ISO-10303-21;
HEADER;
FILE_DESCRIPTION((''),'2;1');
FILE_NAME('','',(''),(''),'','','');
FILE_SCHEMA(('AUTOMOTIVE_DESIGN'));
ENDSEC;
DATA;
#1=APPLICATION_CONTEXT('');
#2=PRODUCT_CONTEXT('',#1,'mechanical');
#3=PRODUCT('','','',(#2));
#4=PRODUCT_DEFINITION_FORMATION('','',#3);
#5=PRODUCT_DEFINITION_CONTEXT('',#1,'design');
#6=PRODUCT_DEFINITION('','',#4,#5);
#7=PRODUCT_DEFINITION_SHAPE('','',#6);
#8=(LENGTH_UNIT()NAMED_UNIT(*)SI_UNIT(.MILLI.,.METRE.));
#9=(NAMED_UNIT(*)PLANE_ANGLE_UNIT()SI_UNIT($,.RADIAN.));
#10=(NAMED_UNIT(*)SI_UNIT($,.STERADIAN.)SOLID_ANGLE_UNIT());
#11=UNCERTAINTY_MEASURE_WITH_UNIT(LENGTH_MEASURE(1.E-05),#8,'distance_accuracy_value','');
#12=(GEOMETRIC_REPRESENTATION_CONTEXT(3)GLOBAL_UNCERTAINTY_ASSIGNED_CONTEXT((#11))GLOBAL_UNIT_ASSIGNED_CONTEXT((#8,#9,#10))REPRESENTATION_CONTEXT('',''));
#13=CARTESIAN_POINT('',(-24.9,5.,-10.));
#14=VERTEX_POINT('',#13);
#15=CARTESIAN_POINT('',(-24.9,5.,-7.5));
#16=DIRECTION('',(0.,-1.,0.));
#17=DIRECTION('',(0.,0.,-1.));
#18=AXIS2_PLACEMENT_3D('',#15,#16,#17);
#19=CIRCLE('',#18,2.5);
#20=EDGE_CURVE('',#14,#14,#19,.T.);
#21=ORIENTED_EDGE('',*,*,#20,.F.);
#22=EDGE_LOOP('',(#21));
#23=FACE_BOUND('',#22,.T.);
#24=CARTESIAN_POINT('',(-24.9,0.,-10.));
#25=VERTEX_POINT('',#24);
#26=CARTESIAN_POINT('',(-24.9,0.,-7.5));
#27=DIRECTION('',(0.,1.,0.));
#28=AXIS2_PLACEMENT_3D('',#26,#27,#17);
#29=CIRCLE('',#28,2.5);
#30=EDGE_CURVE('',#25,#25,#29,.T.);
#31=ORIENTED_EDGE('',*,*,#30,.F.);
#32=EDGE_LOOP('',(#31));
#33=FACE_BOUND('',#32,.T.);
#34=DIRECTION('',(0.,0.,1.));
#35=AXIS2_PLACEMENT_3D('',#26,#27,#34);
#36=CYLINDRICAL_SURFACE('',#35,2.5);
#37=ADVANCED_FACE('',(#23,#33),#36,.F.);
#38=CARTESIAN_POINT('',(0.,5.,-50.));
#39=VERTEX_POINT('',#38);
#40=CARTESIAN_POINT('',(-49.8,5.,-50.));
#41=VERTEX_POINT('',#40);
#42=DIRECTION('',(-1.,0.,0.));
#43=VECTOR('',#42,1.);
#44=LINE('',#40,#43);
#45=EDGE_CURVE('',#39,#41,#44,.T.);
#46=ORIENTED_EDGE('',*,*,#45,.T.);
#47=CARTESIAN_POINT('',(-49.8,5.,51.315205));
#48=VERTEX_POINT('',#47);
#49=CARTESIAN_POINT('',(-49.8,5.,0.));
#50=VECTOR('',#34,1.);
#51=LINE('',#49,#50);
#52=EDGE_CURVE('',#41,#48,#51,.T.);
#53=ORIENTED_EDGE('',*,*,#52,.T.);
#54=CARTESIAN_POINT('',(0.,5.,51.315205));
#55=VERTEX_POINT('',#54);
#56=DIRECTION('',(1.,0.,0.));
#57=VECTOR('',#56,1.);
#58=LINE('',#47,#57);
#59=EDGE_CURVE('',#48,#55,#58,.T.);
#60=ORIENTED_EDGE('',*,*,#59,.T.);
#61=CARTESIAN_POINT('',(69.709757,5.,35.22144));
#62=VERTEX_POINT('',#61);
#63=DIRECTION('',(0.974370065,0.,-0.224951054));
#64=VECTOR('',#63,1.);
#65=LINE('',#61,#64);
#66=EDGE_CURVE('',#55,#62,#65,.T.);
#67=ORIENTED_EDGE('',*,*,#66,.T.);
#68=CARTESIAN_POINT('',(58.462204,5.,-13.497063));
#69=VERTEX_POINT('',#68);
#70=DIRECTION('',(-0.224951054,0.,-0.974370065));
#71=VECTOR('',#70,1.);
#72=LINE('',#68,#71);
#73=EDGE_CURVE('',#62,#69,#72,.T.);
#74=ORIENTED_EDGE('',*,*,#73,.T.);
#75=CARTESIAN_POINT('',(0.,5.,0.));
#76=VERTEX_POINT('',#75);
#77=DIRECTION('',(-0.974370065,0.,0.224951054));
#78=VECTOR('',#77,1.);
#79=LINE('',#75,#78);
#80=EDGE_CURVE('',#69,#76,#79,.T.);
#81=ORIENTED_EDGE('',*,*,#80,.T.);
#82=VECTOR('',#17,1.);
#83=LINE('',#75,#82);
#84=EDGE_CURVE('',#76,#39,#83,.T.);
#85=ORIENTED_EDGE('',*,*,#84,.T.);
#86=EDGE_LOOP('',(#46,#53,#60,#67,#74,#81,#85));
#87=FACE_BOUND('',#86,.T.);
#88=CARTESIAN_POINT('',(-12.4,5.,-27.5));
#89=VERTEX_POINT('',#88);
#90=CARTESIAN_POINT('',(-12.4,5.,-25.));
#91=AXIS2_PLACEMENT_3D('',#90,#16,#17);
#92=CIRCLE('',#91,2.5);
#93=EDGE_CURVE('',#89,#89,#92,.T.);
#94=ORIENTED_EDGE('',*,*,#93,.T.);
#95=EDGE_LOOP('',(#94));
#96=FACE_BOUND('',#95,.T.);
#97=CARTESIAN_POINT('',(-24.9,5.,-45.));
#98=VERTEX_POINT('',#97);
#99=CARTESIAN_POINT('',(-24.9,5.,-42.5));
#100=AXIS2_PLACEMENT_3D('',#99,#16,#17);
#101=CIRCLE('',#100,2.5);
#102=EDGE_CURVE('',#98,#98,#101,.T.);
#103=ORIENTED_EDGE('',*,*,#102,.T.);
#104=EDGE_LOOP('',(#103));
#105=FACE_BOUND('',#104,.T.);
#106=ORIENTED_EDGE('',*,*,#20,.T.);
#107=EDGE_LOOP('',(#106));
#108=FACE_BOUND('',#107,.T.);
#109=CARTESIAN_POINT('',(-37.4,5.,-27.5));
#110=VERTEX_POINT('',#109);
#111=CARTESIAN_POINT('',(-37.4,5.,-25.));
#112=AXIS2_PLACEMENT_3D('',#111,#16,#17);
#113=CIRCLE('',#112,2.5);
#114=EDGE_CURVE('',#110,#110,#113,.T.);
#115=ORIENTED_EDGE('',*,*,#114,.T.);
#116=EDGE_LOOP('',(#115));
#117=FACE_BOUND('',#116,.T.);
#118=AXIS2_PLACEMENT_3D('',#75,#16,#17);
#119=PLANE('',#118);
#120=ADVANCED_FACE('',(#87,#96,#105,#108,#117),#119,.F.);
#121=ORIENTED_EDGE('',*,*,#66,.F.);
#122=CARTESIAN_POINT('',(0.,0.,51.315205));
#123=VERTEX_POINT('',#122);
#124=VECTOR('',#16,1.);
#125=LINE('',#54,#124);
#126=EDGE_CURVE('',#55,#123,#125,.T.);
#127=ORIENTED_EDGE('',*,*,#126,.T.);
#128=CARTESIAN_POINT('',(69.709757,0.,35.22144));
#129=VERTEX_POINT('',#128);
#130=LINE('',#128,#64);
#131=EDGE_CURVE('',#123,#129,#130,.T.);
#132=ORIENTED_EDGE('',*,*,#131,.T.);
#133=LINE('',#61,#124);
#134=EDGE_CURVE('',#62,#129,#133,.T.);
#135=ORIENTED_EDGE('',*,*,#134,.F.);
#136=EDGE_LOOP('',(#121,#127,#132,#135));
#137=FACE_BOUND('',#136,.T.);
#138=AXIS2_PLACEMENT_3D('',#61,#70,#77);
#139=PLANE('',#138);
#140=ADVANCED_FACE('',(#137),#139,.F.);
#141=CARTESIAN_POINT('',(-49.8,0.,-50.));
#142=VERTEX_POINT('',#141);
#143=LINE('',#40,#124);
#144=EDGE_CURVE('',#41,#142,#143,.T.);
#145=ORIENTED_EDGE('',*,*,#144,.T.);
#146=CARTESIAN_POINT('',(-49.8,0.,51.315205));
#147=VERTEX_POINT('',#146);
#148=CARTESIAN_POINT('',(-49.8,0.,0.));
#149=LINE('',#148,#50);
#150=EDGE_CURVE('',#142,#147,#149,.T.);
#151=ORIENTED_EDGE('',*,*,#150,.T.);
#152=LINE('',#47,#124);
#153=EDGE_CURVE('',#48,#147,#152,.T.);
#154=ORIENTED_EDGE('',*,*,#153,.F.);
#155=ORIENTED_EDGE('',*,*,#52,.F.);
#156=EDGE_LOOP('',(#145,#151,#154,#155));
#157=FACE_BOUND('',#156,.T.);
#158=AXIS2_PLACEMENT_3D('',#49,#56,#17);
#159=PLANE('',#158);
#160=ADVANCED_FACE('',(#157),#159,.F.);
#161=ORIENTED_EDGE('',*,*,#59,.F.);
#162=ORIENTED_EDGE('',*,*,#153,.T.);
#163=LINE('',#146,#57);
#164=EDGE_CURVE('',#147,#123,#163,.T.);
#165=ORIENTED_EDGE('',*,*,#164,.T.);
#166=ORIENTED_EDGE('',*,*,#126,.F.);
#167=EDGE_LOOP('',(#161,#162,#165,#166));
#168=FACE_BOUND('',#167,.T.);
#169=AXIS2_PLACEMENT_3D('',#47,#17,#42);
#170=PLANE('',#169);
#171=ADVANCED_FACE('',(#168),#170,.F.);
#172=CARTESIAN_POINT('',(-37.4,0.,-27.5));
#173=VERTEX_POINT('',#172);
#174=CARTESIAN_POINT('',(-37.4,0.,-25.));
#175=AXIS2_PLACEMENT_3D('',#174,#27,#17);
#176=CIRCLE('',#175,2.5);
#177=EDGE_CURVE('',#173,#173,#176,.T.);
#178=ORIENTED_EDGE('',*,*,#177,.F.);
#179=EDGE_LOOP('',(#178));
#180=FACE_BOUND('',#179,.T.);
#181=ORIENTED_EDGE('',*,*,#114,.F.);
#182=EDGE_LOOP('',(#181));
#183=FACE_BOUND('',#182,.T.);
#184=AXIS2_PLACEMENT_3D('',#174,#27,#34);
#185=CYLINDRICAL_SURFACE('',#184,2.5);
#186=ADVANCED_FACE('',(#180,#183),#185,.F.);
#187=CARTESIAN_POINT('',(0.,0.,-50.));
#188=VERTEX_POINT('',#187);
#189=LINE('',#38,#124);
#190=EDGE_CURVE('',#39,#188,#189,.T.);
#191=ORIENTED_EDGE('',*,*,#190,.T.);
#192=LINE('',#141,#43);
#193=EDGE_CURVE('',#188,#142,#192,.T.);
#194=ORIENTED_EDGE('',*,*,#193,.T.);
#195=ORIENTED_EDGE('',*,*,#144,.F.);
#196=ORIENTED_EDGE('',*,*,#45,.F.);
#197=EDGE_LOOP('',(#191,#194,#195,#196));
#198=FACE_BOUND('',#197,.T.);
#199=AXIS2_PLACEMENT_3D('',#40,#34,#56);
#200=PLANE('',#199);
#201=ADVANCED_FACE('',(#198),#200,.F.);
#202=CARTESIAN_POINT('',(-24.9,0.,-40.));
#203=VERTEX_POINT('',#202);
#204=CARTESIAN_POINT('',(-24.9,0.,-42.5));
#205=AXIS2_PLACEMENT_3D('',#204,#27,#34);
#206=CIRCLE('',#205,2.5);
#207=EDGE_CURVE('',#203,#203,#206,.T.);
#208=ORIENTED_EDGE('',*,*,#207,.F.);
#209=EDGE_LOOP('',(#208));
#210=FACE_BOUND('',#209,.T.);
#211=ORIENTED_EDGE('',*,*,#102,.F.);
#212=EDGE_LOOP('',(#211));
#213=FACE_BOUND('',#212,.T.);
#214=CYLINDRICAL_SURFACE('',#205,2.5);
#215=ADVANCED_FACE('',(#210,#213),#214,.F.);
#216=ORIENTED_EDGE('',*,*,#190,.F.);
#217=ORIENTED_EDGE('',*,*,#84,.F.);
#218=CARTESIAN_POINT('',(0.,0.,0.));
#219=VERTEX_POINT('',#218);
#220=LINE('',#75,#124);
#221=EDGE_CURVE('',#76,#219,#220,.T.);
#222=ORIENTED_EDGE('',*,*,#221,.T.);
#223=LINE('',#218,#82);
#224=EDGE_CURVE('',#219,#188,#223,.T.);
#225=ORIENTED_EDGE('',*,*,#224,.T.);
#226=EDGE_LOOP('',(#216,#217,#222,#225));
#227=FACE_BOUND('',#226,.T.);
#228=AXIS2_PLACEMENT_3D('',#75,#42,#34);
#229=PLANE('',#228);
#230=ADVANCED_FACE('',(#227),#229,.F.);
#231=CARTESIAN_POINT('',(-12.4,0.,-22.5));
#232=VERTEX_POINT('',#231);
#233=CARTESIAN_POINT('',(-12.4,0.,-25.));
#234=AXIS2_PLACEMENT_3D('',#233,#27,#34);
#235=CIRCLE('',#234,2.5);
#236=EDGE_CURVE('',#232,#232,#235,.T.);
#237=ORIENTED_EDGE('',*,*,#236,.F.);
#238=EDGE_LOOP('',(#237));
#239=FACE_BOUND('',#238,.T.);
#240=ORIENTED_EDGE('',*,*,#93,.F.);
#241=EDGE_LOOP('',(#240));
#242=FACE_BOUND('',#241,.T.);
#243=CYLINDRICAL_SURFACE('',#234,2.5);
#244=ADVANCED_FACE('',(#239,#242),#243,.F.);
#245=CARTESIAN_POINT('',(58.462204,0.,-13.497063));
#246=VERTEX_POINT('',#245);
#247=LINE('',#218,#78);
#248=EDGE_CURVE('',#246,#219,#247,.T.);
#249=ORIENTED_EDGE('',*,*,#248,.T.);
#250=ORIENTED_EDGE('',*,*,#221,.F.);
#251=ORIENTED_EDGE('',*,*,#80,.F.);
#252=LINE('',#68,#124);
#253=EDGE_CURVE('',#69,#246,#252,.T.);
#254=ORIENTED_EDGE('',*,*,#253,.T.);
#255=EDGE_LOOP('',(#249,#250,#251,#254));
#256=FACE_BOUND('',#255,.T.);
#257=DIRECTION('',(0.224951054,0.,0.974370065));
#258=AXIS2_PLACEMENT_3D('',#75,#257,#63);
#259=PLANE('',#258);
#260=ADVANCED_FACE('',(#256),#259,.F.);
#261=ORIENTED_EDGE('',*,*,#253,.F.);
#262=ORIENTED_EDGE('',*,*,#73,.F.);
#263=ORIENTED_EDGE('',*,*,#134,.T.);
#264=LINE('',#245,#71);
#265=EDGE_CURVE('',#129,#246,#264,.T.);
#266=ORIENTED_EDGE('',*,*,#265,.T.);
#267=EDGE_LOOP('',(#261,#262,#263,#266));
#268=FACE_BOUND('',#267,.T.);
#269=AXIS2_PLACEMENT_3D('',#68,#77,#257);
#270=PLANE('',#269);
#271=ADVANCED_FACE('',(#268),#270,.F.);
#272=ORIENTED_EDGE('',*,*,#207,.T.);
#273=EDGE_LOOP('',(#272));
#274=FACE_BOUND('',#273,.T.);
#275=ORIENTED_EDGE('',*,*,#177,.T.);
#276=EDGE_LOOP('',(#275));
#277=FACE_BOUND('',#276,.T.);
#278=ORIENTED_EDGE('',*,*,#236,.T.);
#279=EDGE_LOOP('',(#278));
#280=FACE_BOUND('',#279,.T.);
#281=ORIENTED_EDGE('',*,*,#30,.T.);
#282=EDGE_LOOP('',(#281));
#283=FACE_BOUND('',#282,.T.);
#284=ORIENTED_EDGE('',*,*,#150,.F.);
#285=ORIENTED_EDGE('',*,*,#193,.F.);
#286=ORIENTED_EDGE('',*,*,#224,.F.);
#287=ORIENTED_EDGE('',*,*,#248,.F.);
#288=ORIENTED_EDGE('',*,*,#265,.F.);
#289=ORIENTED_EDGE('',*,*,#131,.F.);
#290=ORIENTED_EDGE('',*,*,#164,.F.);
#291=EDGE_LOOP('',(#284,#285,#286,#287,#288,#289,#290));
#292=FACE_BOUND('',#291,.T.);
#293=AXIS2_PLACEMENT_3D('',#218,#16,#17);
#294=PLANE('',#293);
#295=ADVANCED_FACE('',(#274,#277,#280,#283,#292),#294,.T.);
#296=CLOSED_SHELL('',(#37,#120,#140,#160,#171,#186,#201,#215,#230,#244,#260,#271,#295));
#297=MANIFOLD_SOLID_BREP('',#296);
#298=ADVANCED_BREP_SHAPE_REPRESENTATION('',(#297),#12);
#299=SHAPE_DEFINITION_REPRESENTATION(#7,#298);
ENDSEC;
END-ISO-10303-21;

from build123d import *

# Parameters (mm, degrees)
BOSS_EXTRUDE1_DEPTH     = 5
CUT_EXTRUDE1_DEPTH      = 87.704673865
CUT_EXTRUDE1_DEPTH_BACK = 87.704673865
SKETCH2_R               = 2.5


with BuildPart() as part:
    # Sketch1 → Boss-Extrude1 (new body)
    with BuildSketch(Plane(origin=(0, 0, 0), x_dir=(1, 0, 0), z_dir=(0, 1, 0))):
        Polygon((0, 0), (58.462203887, 13.497063261), (69.709756604, -35.221439979), (0, -51.31520539), (-49.8, -51.31520539), (-49.8, 0), (-49.8, 50), (0, 50), align=None)
    extrude(amount=BOSS_EXTRUDE1_DEPTH)

    # Sketch2 → Cut-Extrude1 (cut, two sides: drawn at the far end of the back side and taken through both)
    with BuildSketch(Plane(origin=(0, 5, 0), x_dir=(1, 0, 0), z_dir=(0, 1, 0)).offset(-CUT_EXTRUDE1_DEPTH_BACK)):
        with Locations(Location((-24.9, 42.5, 0), (0, 0, 270))):
            Circle(SKETCH2_R)
        with Locations(Location((-24.9, 7.5, 0), (0, 0, 90))):
            Circle(SKETCH2_R)
        with Locations(Location((-12.4, 25, 0), (0, 0, 270))):
            Circle(SKETCH2_R)
        with Locations(Location((-37.4, 25, 0), (0, 0, 90))):
            Circle(SKETCH2_R)
    extrude(amount=CUT_EXTRUDE1_DEPTH + CUT_EXTRUDE1_DEPTH_BACK, mode=Mode.SUBTRACT)


solid = part.part
